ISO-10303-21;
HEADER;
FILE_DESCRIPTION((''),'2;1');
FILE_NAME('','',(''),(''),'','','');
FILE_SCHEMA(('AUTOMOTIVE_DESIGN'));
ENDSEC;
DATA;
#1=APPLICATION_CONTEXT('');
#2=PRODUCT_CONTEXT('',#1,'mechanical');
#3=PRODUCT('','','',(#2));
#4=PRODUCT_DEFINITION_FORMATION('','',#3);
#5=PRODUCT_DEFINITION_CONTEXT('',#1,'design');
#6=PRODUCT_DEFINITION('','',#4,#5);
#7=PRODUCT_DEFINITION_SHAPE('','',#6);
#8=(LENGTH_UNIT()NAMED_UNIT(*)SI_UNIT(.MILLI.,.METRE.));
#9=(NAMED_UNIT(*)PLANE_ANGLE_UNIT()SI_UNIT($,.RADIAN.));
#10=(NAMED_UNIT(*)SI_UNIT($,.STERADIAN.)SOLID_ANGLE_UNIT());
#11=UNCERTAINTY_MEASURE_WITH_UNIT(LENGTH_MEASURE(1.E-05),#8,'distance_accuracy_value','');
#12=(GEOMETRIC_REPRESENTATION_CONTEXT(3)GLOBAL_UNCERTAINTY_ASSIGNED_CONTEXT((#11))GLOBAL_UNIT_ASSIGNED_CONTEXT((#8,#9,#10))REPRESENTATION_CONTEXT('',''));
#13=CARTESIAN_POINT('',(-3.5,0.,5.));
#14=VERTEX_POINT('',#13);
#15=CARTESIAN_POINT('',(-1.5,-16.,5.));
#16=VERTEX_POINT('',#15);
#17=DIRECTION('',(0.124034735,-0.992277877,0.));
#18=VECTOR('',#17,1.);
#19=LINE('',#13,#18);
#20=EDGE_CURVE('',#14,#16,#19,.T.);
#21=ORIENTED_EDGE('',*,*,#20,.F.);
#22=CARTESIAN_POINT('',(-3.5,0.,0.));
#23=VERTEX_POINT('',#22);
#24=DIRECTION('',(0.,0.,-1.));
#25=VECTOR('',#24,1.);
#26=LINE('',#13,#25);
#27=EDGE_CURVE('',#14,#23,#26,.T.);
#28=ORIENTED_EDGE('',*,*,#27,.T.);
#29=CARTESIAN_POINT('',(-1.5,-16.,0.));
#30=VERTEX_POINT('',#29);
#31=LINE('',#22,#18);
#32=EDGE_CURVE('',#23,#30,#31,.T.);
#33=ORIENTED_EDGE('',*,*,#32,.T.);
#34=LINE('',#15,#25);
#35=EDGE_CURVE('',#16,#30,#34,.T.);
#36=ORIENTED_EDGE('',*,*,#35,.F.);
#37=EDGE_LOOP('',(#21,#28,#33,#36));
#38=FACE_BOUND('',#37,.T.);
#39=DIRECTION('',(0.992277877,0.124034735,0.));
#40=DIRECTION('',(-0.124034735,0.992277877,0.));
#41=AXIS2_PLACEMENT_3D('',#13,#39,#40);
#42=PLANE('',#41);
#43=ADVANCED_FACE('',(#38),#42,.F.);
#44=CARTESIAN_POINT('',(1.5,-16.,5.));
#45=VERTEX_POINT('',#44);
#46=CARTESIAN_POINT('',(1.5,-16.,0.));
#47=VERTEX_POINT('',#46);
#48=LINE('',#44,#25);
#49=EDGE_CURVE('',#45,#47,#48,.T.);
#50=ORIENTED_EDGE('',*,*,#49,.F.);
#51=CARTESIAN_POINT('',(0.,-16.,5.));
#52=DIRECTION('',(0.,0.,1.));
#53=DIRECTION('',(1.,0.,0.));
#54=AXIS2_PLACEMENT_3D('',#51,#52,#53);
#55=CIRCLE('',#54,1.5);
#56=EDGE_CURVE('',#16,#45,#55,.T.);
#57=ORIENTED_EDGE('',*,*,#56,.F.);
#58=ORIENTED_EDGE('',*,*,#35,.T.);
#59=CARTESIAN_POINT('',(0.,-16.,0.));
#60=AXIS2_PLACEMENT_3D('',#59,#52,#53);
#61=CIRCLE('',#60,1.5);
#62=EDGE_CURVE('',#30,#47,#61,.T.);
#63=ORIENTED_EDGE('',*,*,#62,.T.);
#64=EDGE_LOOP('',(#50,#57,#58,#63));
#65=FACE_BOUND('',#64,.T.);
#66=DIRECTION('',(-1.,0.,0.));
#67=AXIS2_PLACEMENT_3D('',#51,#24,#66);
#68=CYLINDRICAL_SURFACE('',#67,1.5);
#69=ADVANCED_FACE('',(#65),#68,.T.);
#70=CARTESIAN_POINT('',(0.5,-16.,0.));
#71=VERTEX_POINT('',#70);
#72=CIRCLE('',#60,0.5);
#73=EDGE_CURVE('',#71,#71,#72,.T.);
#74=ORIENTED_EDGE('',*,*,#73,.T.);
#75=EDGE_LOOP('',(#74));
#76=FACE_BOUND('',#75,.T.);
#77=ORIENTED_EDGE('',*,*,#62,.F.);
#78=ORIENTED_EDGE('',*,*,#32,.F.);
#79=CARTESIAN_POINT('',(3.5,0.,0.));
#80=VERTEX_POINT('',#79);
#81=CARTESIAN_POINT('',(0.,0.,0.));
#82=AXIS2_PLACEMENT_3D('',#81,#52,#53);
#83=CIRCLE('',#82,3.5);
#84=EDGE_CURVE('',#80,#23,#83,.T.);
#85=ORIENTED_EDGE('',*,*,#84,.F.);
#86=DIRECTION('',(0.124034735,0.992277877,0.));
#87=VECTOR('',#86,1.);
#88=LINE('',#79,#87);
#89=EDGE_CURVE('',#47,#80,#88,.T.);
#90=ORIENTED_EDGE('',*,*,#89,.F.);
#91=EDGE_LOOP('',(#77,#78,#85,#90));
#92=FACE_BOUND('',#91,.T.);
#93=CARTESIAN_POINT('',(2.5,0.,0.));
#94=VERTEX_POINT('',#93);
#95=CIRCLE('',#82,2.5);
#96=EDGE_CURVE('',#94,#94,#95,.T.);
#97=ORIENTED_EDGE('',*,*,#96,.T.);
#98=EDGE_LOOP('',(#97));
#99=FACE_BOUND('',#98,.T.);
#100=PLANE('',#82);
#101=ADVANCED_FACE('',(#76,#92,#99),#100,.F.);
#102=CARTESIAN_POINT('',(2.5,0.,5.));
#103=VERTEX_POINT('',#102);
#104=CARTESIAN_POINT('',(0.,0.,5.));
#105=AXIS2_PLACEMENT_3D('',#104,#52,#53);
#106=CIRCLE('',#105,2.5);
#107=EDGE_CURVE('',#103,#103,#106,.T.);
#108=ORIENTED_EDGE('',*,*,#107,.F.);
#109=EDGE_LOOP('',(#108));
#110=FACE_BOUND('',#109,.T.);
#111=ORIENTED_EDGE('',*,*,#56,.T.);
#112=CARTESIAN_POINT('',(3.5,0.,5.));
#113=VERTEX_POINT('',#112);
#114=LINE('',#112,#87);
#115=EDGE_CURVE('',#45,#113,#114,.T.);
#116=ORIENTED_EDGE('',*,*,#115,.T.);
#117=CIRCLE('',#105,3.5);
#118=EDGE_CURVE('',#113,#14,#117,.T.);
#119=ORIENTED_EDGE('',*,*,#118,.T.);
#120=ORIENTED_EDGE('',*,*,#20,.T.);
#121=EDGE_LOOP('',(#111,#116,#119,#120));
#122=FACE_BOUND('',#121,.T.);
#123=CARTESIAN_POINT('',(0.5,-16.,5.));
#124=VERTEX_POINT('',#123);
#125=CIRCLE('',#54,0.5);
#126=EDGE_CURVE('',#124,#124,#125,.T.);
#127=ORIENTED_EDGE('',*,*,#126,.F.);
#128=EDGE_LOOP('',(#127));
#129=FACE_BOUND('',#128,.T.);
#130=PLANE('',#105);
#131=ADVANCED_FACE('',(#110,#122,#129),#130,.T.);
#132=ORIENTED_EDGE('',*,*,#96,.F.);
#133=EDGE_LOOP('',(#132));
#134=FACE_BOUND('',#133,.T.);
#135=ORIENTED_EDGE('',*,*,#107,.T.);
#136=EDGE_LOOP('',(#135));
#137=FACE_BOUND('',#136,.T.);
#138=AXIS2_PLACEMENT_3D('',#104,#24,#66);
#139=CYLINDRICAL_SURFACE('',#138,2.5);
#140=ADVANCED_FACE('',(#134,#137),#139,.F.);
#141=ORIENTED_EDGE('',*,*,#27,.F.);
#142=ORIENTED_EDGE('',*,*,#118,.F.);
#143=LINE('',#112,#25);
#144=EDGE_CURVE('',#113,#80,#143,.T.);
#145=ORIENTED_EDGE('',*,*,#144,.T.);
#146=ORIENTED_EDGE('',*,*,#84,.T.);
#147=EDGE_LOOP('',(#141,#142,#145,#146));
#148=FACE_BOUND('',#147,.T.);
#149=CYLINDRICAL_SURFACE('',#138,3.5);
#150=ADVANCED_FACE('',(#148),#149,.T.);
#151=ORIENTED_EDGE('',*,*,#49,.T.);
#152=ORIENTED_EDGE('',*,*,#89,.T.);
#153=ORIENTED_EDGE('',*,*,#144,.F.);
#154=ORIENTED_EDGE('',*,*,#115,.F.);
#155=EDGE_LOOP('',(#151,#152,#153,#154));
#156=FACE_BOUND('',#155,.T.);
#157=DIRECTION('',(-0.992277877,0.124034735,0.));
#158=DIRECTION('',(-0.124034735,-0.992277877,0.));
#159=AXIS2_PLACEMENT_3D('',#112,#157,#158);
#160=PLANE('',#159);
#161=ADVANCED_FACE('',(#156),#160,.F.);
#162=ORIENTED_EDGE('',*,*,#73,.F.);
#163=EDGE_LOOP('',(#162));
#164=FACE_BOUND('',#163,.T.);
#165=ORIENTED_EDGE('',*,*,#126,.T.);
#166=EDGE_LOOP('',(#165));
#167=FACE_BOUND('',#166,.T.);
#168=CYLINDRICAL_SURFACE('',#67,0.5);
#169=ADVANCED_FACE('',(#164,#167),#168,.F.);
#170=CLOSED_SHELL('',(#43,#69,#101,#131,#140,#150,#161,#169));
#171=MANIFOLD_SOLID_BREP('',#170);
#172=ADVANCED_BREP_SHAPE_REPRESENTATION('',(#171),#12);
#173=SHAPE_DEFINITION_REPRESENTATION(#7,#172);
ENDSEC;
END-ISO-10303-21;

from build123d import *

# Parameters (mm, degrees)
CROQUIS1_R              = 2.5
CROQUIS1_R_2            = 0.5
SALIENTE_EXTRUIR1_DEPTH = 5


with BuildPart() as part:
    # Croquis1 → Saliente-Extruir1 (new body)
    with BuildSketch(Plane.XY):
        with BuildLine():
            Line((-3.5, 0), (-1.5, -16))
            ThreePointArc((-1.5, -16), (0, -17.5), (1.5, -16))
            Line((1.5, -16), (3.5, 0))
            ThreePointArc((3.5, 0), (0, 3.5), (-3.5, 0))
        make_face()
        Circle(CROQUIS1_R, mode=Mode.SUBTRACT)
        with Locations((0, -16)):
            Circle(CROQUIS1_R_2, mode=Mode.SUBTRACT)
    extrude(amount=SALIENTE_EXTRUIR1_DEPTH)


solid = part.part
